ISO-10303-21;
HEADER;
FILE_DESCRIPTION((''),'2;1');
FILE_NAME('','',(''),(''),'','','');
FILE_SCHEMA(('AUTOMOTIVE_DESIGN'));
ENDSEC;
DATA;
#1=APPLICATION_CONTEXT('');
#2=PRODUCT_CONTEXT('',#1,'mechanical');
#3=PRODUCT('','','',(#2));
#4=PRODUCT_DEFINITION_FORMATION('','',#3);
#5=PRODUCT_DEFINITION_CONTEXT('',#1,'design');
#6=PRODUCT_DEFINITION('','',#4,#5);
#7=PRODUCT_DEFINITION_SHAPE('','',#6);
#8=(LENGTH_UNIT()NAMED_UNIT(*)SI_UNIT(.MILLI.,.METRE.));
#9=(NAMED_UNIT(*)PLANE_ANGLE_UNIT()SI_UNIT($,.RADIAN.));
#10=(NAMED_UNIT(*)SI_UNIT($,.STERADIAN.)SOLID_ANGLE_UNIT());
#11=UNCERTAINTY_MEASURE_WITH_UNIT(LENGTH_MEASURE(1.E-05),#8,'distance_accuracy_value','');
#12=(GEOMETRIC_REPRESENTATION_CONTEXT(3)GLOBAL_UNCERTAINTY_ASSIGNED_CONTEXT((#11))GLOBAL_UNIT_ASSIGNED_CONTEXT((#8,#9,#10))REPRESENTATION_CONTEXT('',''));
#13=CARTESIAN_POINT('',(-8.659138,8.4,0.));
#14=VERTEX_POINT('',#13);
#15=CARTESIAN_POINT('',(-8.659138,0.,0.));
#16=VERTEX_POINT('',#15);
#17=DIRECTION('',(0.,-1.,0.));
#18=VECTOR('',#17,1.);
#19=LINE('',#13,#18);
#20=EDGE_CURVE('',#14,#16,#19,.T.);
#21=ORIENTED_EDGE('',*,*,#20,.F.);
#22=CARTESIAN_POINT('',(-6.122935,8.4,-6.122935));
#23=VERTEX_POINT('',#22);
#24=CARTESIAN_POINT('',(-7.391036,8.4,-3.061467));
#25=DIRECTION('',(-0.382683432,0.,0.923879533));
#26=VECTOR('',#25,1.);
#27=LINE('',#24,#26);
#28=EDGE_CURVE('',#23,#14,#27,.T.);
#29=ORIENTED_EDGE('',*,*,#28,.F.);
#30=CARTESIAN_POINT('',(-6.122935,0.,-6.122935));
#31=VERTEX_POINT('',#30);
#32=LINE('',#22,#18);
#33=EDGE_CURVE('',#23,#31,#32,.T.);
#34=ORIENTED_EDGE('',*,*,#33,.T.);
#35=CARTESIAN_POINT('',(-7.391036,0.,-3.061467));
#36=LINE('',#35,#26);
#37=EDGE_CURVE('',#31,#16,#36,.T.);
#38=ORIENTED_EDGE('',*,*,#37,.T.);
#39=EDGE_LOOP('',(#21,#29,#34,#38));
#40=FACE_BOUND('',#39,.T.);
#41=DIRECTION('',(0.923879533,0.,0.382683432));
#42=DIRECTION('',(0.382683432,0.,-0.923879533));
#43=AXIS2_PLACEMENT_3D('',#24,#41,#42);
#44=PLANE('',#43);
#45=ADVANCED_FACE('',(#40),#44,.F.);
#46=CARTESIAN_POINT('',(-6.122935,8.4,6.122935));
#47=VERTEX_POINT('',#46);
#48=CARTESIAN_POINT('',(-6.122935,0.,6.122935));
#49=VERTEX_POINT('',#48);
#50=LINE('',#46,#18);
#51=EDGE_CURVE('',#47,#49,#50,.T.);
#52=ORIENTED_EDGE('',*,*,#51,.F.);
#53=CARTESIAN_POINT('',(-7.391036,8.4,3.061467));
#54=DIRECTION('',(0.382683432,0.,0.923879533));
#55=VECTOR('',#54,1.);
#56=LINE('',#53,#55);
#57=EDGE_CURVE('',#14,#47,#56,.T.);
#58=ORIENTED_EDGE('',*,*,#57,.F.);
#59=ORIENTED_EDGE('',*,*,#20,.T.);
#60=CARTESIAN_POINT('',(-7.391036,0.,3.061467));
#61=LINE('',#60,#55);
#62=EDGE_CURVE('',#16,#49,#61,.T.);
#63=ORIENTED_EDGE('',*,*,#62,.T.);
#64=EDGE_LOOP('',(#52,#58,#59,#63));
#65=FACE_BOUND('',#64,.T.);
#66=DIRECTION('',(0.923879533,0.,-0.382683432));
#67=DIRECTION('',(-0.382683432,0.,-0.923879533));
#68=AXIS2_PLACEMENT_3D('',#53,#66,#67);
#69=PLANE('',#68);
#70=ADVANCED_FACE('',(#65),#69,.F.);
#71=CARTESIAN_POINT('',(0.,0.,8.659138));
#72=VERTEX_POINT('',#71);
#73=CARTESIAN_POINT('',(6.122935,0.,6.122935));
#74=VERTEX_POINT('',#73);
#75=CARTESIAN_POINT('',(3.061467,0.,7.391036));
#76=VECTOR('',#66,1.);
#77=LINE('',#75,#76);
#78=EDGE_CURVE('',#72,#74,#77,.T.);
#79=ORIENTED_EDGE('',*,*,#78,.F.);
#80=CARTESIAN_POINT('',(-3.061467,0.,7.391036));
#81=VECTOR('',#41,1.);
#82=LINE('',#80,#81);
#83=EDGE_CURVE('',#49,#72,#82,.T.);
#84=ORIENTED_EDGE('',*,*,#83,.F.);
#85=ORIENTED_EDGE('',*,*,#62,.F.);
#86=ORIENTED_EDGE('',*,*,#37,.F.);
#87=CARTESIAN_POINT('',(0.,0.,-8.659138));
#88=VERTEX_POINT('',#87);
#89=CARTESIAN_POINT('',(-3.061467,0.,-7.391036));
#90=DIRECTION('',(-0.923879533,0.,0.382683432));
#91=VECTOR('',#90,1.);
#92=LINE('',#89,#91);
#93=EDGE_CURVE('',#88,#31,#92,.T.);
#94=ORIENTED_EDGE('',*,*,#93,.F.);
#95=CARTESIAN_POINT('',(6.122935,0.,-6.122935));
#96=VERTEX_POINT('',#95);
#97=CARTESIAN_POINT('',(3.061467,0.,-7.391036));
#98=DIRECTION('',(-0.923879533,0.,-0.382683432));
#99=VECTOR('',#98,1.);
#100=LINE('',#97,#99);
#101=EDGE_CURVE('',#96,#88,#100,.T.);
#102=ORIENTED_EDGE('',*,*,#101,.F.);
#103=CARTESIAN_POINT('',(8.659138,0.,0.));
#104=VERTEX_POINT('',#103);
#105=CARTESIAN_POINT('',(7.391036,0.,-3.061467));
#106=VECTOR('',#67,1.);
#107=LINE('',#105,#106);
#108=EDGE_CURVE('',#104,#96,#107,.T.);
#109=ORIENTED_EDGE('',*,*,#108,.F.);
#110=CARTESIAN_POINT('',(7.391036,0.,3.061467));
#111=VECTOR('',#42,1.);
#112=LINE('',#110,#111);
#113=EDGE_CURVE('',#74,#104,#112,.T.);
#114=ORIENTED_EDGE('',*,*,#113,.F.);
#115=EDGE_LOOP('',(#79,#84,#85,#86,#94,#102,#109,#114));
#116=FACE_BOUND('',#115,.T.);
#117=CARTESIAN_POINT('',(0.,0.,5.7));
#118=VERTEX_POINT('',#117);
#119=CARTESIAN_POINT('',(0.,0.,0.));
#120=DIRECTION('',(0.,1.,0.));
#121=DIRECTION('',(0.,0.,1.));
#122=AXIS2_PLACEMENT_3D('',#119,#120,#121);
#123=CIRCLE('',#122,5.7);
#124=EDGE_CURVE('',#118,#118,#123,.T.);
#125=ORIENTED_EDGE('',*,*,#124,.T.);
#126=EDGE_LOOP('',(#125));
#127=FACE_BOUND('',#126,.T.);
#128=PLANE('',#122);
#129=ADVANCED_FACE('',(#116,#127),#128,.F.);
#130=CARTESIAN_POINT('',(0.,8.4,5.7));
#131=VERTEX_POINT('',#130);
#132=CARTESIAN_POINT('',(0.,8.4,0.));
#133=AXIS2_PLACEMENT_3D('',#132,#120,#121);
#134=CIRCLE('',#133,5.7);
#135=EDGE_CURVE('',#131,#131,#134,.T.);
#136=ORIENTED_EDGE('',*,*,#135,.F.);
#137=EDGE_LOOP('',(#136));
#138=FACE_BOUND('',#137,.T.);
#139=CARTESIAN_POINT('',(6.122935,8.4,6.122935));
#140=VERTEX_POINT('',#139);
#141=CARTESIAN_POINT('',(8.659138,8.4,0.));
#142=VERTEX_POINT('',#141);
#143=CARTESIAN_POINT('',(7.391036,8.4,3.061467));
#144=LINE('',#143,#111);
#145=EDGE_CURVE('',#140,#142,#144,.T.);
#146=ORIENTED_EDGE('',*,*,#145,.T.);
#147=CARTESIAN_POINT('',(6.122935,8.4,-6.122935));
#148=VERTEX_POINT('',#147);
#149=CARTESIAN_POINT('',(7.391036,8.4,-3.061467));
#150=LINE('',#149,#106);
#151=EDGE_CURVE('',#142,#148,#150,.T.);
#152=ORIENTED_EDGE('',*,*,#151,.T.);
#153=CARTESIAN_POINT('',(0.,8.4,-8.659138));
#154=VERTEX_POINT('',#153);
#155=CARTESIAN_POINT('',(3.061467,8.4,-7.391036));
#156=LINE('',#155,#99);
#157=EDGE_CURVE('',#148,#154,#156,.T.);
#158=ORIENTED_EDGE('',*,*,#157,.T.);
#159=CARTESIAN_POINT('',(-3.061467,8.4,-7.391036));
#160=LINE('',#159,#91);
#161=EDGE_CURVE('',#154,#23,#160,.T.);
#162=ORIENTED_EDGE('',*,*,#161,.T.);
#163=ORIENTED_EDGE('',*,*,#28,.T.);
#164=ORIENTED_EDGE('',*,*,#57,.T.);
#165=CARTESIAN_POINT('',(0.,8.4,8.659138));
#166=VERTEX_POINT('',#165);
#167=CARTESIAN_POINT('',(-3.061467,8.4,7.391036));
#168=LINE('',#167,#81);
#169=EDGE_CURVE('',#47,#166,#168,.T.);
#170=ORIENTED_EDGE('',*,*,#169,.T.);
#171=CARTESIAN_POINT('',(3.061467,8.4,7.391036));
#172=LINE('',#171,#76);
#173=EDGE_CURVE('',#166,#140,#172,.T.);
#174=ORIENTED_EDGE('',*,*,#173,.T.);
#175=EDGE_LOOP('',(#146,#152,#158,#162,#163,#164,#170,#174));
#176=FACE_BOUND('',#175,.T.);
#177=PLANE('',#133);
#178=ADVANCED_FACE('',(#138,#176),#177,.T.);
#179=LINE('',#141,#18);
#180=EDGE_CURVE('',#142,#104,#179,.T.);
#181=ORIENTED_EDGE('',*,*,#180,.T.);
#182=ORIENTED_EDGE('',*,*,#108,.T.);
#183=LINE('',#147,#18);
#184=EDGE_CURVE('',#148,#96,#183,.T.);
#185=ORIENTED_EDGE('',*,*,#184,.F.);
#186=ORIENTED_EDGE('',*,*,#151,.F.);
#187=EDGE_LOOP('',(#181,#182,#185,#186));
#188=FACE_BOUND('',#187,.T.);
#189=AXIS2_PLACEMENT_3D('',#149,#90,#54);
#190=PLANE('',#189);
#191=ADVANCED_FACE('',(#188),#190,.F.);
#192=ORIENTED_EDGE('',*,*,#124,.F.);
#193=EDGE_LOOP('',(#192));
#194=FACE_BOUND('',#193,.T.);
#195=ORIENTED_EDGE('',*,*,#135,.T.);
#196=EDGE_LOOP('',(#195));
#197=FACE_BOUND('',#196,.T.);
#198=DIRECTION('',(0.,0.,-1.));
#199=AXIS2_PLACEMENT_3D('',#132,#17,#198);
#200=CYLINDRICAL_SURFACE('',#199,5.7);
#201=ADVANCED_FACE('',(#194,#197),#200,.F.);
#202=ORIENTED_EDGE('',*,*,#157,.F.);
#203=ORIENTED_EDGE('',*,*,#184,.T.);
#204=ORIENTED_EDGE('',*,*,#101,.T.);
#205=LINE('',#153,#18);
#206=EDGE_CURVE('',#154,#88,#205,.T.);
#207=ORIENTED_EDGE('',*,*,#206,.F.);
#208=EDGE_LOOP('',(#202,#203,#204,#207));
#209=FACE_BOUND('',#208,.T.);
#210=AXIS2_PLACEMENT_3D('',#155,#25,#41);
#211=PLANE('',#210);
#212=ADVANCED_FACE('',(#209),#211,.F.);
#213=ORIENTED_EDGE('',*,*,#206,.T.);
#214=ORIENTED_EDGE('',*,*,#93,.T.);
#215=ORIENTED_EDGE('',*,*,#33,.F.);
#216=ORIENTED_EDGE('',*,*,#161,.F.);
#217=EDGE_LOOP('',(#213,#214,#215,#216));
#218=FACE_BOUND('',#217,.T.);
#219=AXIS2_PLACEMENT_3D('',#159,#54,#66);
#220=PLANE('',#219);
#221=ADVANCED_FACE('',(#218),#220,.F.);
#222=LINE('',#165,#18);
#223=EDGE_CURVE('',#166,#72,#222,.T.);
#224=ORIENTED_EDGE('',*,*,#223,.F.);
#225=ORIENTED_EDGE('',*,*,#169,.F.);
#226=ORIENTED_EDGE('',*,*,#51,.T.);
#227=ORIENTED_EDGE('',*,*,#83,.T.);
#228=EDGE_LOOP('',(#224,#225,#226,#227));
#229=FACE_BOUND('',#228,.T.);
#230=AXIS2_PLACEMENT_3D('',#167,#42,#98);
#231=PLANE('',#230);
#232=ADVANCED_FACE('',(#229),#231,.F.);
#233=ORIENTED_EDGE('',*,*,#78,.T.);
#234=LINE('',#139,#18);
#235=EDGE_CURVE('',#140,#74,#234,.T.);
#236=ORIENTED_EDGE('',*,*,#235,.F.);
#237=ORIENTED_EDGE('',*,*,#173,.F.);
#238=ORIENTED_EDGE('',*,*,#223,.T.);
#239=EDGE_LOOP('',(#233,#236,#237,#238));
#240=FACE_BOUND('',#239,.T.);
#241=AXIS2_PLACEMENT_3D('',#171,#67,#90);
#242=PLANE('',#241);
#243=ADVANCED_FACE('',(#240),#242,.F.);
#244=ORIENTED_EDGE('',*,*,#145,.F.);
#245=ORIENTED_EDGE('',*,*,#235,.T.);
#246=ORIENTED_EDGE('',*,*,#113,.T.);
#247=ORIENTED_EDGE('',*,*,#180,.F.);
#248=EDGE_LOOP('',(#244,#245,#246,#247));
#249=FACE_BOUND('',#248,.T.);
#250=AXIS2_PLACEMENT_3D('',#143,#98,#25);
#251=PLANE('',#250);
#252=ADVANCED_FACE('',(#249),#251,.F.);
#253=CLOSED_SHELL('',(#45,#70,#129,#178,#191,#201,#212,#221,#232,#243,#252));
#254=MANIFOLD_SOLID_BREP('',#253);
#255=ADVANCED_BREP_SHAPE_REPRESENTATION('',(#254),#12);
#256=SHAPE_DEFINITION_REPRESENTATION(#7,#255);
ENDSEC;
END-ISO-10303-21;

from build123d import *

# Parameters (mm, degrees)
SKETCH1_R           = 5.7
BOSS_EXTRUDE1_DEPTH = 8.4


with BuildPart() as part:
    # Sketch1 → Boss-Extrude1 (new body)
    with BuildSketch(Plane(origin=(0, 0, 0), x_dir=(1, 0, 0), z_dir=(0, 1, 0))):
        Polygon((8.659137602, 0), (6.122934918, 6.122934918), (0, 8.659137602), (-6.122934918, 6.122934918), (-8.659137602, 0), (-6.122934918, -6.122934918), (0, -8.659137602), (6.122934918, -6.122934918), align=None)
        Circle(SKETCH1_R, mode=Mode.SUBTRACT)
    extrude(amount=BOSS_EXTRUDE1_DEPTH)


solid = part.part
